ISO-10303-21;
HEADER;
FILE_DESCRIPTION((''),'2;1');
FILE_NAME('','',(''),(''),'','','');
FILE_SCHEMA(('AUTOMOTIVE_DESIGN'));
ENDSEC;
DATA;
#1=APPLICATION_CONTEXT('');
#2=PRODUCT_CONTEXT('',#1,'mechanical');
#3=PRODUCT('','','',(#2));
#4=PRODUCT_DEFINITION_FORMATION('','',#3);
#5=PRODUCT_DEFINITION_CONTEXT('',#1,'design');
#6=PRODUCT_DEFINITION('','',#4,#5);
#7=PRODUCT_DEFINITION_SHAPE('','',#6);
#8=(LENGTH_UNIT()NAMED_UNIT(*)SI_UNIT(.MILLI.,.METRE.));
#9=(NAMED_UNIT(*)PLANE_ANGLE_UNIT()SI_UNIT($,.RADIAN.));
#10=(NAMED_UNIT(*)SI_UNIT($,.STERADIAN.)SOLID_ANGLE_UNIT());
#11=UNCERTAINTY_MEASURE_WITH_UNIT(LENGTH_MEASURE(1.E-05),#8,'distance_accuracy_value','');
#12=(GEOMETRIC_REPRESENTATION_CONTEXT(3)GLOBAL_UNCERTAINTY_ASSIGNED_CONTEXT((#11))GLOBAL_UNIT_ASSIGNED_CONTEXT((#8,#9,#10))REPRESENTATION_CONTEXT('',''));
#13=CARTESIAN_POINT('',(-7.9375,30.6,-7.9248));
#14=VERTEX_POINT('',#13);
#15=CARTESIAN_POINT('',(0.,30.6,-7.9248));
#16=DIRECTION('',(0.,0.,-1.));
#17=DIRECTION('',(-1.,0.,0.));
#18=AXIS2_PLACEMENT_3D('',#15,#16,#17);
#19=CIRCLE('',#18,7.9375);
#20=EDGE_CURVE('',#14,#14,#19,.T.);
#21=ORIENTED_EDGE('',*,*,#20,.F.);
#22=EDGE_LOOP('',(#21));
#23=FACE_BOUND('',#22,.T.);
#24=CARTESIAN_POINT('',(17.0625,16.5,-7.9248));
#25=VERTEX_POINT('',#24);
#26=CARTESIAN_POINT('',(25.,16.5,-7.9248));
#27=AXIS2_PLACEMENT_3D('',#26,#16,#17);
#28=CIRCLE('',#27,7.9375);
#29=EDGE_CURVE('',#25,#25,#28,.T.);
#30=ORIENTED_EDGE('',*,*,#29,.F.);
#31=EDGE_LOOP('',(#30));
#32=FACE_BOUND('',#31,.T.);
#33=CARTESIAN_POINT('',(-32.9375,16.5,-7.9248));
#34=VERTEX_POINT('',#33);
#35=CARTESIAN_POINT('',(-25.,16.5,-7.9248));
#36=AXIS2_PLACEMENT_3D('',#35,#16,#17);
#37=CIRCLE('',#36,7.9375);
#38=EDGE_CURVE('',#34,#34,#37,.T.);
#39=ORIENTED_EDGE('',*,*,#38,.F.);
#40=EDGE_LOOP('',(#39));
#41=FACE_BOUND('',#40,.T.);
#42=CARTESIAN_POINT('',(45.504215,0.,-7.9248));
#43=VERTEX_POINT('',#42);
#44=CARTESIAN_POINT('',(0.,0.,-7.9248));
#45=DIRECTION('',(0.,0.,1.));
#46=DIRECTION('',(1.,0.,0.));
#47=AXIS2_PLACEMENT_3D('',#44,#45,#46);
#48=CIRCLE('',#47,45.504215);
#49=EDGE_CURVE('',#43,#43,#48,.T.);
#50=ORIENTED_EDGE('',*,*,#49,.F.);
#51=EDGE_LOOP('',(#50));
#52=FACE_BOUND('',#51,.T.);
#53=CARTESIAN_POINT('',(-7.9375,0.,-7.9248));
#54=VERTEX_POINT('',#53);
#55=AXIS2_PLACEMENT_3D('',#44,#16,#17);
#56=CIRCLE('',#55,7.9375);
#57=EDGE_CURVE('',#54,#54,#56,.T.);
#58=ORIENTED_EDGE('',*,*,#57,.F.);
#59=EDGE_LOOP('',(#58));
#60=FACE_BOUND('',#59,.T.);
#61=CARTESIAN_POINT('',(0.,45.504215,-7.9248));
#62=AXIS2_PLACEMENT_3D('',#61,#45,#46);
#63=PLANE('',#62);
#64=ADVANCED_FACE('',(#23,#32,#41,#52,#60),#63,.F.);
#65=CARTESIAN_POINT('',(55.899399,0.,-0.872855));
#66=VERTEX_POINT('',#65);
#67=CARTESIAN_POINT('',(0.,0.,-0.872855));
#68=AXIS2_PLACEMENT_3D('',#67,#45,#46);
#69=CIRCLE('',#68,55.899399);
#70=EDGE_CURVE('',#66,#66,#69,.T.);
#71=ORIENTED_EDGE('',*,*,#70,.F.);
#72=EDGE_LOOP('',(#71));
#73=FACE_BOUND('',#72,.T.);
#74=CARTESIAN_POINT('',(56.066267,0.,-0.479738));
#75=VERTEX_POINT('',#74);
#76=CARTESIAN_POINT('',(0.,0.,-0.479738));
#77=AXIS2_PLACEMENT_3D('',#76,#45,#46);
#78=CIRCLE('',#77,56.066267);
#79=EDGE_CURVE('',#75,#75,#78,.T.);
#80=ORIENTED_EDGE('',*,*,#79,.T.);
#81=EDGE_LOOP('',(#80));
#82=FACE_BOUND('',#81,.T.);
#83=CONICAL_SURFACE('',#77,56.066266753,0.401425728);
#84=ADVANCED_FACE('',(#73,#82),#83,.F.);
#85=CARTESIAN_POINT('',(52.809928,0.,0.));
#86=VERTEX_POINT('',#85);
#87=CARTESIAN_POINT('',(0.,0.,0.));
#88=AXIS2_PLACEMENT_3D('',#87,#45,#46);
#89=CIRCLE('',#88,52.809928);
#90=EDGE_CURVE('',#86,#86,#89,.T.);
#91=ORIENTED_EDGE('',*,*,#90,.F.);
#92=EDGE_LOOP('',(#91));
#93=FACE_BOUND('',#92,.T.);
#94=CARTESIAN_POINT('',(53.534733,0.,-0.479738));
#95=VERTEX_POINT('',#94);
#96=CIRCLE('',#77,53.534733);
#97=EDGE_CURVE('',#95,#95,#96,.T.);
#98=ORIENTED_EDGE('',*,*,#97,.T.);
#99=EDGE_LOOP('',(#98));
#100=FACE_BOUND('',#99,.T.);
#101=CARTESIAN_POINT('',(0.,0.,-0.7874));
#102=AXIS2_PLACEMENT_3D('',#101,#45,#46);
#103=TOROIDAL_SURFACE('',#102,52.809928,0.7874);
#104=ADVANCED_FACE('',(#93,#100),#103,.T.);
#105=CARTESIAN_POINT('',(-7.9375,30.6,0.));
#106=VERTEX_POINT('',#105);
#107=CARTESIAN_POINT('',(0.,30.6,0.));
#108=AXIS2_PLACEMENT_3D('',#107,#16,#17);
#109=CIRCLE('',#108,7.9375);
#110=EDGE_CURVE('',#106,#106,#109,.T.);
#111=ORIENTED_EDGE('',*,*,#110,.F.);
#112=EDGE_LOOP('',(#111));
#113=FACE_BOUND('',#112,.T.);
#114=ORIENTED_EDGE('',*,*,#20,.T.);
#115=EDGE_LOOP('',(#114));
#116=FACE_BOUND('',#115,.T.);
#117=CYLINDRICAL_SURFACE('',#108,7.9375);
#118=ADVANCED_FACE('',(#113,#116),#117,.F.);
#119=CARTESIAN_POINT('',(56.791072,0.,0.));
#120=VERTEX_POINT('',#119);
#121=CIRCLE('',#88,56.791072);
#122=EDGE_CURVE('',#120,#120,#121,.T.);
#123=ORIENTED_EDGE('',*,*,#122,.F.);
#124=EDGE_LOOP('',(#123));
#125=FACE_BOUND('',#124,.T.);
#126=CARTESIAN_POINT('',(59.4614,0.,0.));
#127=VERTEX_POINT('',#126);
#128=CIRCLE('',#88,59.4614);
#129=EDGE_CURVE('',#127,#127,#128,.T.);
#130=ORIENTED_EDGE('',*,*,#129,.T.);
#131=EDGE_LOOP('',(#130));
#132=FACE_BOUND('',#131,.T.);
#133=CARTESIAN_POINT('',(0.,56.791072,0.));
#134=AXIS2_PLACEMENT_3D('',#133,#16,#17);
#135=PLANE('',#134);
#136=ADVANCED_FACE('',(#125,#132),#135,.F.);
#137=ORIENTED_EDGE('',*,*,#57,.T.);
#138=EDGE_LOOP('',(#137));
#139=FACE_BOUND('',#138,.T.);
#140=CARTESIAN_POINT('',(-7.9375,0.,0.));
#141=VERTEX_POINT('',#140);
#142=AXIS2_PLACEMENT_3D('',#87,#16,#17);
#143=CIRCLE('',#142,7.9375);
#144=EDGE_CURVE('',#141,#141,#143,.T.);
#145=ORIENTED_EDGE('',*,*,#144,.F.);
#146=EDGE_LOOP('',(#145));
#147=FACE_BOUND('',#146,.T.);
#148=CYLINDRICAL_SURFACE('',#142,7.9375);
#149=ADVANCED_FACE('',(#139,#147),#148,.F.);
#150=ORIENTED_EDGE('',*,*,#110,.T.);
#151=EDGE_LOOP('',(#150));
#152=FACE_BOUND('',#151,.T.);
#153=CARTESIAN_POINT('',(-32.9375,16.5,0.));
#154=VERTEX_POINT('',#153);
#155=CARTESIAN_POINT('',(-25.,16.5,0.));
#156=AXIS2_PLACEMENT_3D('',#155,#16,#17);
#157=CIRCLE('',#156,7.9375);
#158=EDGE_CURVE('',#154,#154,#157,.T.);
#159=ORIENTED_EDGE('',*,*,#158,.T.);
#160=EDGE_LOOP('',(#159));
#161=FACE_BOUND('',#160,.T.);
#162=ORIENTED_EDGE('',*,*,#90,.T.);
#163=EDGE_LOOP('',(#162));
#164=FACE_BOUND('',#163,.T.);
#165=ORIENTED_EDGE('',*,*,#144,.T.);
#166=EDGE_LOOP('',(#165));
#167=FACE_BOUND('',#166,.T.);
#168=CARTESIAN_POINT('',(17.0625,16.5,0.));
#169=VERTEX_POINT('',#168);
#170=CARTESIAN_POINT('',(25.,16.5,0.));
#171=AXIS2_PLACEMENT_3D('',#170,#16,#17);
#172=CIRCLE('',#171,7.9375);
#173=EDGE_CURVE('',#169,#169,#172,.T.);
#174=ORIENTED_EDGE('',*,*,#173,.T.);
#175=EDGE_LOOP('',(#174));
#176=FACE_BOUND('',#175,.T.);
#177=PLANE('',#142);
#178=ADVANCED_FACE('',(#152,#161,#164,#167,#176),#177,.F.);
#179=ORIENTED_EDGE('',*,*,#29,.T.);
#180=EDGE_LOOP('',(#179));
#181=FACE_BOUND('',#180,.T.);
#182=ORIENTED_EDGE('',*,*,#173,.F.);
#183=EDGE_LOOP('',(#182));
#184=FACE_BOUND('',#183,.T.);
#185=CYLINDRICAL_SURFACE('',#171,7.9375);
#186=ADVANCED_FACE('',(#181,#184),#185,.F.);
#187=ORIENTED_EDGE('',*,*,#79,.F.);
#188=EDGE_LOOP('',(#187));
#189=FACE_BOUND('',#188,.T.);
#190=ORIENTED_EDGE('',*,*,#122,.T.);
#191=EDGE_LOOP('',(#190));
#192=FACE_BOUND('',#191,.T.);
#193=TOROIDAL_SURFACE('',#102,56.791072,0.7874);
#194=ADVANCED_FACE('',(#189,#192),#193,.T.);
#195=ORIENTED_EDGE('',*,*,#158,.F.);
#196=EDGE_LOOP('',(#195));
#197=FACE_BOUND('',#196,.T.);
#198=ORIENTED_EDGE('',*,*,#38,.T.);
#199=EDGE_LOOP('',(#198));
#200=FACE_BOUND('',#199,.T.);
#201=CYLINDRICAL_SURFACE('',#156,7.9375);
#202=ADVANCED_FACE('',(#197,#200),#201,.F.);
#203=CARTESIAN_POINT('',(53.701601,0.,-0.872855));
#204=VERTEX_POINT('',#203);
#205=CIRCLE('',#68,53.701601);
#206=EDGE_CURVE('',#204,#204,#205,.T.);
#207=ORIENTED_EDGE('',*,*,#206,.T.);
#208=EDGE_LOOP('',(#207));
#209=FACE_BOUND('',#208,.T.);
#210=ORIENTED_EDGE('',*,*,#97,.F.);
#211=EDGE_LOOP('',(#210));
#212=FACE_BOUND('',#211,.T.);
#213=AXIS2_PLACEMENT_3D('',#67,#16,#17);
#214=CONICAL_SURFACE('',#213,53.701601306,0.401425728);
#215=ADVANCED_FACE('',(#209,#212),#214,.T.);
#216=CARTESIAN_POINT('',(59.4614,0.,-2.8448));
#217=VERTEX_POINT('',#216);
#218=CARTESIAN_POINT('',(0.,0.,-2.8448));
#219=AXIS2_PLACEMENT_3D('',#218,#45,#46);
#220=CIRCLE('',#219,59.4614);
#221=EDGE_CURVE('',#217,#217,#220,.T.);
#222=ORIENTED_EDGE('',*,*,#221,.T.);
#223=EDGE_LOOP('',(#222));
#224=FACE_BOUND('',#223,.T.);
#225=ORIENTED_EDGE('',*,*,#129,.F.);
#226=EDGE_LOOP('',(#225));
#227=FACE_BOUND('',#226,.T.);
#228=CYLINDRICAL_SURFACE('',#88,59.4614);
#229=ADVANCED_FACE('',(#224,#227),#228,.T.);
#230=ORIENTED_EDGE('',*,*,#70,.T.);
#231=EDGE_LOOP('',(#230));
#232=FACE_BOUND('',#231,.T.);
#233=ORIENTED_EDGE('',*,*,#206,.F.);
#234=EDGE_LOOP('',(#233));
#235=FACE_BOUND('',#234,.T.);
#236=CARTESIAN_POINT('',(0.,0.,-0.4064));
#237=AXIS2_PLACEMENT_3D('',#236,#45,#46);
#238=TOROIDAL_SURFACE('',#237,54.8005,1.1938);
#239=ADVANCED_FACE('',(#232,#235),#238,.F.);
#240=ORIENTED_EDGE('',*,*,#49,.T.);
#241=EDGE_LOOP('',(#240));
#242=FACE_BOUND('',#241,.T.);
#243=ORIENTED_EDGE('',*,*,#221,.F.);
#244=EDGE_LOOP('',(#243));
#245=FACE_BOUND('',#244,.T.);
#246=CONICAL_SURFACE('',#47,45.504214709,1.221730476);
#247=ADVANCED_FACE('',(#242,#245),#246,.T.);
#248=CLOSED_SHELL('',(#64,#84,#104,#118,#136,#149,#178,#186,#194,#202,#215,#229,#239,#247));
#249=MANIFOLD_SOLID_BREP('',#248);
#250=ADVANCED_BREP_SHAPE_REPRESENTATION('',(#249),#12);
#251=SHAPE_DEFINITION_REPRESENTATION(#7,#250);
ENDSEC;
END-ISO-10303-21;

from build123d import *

# Parameters (mm, degrees)
SKETCH2_R          = 7.9375
CUT_EXTRUDE1_DEPTH = 85.463711951


with BuildPart() as part:
    # Sketch1 → Revolve1 (revolve)
    with BuildSketch(Plane(origin=(0, 0, 0), x_dir=(0, 0, -1), z_dir=(1, 0, 0)), mode=Mode.PRIVATE) as revolve1_sk:
        with BuildLine():
            Line((0, 0), (0, 52.809927725))
            ThreePointArc((0, 52.809927725), (0.130798304, 53.244522907), (0.479738309, 53.534733247))
            Line((0.479738309, 53.534733247), (0.872854821, 53.701601306))
            ThreePointArc((0.872854821, 53.701601306), (1.6002, 54.8005), (0.872854821, 55.899398694))
            Line((0.872854821, 55.899398694), (0.479738309, 56.066266753))
            ThreePointArc((0.479738309, 56.066266753), (0.130798304, 56.356477093), (0, 56.791072275))
            Line((0, 56.791072275), (0, 59.4614))
            Line((0, 59.4614), (2.8448, 59.4614))
            Line((2.8448, 59.4614), (7.9248, 45.504214709))
            Line((7.9248, 45.504214709), (7.9248, 0))
            Line((7.9248, 0), (0, 0))
        make_face()
    revolve(revolve1_sk.sketch.rotate(Axis((0, 0, 0), (0, 0, -1)), 90), axis=Axis((0, 0, 0), (0, 0, -1)))

    # Sketch2 → Cut-Extrude1 (cut, through all)
    with BuildSketch(Plane(origin=(0, 0, -7.9248), x_dir=(-1, 0, 0), z_dir=(0, 0, -1))):
        with Locations((-25, 16.5)):
            Circle(SKETCH2_R)
        with Locations((0, 30.6)):
            Circle(SKETCH2_R)
        with Locations((25, 16.5)):
            Circle(SKETCH2_R)
        Circle(SKETCH2_R)
    extrude(amount=-CUT_EXTRUDE1_DEPTH, mode=Mode.SUBTRACT)


solid = part.part
